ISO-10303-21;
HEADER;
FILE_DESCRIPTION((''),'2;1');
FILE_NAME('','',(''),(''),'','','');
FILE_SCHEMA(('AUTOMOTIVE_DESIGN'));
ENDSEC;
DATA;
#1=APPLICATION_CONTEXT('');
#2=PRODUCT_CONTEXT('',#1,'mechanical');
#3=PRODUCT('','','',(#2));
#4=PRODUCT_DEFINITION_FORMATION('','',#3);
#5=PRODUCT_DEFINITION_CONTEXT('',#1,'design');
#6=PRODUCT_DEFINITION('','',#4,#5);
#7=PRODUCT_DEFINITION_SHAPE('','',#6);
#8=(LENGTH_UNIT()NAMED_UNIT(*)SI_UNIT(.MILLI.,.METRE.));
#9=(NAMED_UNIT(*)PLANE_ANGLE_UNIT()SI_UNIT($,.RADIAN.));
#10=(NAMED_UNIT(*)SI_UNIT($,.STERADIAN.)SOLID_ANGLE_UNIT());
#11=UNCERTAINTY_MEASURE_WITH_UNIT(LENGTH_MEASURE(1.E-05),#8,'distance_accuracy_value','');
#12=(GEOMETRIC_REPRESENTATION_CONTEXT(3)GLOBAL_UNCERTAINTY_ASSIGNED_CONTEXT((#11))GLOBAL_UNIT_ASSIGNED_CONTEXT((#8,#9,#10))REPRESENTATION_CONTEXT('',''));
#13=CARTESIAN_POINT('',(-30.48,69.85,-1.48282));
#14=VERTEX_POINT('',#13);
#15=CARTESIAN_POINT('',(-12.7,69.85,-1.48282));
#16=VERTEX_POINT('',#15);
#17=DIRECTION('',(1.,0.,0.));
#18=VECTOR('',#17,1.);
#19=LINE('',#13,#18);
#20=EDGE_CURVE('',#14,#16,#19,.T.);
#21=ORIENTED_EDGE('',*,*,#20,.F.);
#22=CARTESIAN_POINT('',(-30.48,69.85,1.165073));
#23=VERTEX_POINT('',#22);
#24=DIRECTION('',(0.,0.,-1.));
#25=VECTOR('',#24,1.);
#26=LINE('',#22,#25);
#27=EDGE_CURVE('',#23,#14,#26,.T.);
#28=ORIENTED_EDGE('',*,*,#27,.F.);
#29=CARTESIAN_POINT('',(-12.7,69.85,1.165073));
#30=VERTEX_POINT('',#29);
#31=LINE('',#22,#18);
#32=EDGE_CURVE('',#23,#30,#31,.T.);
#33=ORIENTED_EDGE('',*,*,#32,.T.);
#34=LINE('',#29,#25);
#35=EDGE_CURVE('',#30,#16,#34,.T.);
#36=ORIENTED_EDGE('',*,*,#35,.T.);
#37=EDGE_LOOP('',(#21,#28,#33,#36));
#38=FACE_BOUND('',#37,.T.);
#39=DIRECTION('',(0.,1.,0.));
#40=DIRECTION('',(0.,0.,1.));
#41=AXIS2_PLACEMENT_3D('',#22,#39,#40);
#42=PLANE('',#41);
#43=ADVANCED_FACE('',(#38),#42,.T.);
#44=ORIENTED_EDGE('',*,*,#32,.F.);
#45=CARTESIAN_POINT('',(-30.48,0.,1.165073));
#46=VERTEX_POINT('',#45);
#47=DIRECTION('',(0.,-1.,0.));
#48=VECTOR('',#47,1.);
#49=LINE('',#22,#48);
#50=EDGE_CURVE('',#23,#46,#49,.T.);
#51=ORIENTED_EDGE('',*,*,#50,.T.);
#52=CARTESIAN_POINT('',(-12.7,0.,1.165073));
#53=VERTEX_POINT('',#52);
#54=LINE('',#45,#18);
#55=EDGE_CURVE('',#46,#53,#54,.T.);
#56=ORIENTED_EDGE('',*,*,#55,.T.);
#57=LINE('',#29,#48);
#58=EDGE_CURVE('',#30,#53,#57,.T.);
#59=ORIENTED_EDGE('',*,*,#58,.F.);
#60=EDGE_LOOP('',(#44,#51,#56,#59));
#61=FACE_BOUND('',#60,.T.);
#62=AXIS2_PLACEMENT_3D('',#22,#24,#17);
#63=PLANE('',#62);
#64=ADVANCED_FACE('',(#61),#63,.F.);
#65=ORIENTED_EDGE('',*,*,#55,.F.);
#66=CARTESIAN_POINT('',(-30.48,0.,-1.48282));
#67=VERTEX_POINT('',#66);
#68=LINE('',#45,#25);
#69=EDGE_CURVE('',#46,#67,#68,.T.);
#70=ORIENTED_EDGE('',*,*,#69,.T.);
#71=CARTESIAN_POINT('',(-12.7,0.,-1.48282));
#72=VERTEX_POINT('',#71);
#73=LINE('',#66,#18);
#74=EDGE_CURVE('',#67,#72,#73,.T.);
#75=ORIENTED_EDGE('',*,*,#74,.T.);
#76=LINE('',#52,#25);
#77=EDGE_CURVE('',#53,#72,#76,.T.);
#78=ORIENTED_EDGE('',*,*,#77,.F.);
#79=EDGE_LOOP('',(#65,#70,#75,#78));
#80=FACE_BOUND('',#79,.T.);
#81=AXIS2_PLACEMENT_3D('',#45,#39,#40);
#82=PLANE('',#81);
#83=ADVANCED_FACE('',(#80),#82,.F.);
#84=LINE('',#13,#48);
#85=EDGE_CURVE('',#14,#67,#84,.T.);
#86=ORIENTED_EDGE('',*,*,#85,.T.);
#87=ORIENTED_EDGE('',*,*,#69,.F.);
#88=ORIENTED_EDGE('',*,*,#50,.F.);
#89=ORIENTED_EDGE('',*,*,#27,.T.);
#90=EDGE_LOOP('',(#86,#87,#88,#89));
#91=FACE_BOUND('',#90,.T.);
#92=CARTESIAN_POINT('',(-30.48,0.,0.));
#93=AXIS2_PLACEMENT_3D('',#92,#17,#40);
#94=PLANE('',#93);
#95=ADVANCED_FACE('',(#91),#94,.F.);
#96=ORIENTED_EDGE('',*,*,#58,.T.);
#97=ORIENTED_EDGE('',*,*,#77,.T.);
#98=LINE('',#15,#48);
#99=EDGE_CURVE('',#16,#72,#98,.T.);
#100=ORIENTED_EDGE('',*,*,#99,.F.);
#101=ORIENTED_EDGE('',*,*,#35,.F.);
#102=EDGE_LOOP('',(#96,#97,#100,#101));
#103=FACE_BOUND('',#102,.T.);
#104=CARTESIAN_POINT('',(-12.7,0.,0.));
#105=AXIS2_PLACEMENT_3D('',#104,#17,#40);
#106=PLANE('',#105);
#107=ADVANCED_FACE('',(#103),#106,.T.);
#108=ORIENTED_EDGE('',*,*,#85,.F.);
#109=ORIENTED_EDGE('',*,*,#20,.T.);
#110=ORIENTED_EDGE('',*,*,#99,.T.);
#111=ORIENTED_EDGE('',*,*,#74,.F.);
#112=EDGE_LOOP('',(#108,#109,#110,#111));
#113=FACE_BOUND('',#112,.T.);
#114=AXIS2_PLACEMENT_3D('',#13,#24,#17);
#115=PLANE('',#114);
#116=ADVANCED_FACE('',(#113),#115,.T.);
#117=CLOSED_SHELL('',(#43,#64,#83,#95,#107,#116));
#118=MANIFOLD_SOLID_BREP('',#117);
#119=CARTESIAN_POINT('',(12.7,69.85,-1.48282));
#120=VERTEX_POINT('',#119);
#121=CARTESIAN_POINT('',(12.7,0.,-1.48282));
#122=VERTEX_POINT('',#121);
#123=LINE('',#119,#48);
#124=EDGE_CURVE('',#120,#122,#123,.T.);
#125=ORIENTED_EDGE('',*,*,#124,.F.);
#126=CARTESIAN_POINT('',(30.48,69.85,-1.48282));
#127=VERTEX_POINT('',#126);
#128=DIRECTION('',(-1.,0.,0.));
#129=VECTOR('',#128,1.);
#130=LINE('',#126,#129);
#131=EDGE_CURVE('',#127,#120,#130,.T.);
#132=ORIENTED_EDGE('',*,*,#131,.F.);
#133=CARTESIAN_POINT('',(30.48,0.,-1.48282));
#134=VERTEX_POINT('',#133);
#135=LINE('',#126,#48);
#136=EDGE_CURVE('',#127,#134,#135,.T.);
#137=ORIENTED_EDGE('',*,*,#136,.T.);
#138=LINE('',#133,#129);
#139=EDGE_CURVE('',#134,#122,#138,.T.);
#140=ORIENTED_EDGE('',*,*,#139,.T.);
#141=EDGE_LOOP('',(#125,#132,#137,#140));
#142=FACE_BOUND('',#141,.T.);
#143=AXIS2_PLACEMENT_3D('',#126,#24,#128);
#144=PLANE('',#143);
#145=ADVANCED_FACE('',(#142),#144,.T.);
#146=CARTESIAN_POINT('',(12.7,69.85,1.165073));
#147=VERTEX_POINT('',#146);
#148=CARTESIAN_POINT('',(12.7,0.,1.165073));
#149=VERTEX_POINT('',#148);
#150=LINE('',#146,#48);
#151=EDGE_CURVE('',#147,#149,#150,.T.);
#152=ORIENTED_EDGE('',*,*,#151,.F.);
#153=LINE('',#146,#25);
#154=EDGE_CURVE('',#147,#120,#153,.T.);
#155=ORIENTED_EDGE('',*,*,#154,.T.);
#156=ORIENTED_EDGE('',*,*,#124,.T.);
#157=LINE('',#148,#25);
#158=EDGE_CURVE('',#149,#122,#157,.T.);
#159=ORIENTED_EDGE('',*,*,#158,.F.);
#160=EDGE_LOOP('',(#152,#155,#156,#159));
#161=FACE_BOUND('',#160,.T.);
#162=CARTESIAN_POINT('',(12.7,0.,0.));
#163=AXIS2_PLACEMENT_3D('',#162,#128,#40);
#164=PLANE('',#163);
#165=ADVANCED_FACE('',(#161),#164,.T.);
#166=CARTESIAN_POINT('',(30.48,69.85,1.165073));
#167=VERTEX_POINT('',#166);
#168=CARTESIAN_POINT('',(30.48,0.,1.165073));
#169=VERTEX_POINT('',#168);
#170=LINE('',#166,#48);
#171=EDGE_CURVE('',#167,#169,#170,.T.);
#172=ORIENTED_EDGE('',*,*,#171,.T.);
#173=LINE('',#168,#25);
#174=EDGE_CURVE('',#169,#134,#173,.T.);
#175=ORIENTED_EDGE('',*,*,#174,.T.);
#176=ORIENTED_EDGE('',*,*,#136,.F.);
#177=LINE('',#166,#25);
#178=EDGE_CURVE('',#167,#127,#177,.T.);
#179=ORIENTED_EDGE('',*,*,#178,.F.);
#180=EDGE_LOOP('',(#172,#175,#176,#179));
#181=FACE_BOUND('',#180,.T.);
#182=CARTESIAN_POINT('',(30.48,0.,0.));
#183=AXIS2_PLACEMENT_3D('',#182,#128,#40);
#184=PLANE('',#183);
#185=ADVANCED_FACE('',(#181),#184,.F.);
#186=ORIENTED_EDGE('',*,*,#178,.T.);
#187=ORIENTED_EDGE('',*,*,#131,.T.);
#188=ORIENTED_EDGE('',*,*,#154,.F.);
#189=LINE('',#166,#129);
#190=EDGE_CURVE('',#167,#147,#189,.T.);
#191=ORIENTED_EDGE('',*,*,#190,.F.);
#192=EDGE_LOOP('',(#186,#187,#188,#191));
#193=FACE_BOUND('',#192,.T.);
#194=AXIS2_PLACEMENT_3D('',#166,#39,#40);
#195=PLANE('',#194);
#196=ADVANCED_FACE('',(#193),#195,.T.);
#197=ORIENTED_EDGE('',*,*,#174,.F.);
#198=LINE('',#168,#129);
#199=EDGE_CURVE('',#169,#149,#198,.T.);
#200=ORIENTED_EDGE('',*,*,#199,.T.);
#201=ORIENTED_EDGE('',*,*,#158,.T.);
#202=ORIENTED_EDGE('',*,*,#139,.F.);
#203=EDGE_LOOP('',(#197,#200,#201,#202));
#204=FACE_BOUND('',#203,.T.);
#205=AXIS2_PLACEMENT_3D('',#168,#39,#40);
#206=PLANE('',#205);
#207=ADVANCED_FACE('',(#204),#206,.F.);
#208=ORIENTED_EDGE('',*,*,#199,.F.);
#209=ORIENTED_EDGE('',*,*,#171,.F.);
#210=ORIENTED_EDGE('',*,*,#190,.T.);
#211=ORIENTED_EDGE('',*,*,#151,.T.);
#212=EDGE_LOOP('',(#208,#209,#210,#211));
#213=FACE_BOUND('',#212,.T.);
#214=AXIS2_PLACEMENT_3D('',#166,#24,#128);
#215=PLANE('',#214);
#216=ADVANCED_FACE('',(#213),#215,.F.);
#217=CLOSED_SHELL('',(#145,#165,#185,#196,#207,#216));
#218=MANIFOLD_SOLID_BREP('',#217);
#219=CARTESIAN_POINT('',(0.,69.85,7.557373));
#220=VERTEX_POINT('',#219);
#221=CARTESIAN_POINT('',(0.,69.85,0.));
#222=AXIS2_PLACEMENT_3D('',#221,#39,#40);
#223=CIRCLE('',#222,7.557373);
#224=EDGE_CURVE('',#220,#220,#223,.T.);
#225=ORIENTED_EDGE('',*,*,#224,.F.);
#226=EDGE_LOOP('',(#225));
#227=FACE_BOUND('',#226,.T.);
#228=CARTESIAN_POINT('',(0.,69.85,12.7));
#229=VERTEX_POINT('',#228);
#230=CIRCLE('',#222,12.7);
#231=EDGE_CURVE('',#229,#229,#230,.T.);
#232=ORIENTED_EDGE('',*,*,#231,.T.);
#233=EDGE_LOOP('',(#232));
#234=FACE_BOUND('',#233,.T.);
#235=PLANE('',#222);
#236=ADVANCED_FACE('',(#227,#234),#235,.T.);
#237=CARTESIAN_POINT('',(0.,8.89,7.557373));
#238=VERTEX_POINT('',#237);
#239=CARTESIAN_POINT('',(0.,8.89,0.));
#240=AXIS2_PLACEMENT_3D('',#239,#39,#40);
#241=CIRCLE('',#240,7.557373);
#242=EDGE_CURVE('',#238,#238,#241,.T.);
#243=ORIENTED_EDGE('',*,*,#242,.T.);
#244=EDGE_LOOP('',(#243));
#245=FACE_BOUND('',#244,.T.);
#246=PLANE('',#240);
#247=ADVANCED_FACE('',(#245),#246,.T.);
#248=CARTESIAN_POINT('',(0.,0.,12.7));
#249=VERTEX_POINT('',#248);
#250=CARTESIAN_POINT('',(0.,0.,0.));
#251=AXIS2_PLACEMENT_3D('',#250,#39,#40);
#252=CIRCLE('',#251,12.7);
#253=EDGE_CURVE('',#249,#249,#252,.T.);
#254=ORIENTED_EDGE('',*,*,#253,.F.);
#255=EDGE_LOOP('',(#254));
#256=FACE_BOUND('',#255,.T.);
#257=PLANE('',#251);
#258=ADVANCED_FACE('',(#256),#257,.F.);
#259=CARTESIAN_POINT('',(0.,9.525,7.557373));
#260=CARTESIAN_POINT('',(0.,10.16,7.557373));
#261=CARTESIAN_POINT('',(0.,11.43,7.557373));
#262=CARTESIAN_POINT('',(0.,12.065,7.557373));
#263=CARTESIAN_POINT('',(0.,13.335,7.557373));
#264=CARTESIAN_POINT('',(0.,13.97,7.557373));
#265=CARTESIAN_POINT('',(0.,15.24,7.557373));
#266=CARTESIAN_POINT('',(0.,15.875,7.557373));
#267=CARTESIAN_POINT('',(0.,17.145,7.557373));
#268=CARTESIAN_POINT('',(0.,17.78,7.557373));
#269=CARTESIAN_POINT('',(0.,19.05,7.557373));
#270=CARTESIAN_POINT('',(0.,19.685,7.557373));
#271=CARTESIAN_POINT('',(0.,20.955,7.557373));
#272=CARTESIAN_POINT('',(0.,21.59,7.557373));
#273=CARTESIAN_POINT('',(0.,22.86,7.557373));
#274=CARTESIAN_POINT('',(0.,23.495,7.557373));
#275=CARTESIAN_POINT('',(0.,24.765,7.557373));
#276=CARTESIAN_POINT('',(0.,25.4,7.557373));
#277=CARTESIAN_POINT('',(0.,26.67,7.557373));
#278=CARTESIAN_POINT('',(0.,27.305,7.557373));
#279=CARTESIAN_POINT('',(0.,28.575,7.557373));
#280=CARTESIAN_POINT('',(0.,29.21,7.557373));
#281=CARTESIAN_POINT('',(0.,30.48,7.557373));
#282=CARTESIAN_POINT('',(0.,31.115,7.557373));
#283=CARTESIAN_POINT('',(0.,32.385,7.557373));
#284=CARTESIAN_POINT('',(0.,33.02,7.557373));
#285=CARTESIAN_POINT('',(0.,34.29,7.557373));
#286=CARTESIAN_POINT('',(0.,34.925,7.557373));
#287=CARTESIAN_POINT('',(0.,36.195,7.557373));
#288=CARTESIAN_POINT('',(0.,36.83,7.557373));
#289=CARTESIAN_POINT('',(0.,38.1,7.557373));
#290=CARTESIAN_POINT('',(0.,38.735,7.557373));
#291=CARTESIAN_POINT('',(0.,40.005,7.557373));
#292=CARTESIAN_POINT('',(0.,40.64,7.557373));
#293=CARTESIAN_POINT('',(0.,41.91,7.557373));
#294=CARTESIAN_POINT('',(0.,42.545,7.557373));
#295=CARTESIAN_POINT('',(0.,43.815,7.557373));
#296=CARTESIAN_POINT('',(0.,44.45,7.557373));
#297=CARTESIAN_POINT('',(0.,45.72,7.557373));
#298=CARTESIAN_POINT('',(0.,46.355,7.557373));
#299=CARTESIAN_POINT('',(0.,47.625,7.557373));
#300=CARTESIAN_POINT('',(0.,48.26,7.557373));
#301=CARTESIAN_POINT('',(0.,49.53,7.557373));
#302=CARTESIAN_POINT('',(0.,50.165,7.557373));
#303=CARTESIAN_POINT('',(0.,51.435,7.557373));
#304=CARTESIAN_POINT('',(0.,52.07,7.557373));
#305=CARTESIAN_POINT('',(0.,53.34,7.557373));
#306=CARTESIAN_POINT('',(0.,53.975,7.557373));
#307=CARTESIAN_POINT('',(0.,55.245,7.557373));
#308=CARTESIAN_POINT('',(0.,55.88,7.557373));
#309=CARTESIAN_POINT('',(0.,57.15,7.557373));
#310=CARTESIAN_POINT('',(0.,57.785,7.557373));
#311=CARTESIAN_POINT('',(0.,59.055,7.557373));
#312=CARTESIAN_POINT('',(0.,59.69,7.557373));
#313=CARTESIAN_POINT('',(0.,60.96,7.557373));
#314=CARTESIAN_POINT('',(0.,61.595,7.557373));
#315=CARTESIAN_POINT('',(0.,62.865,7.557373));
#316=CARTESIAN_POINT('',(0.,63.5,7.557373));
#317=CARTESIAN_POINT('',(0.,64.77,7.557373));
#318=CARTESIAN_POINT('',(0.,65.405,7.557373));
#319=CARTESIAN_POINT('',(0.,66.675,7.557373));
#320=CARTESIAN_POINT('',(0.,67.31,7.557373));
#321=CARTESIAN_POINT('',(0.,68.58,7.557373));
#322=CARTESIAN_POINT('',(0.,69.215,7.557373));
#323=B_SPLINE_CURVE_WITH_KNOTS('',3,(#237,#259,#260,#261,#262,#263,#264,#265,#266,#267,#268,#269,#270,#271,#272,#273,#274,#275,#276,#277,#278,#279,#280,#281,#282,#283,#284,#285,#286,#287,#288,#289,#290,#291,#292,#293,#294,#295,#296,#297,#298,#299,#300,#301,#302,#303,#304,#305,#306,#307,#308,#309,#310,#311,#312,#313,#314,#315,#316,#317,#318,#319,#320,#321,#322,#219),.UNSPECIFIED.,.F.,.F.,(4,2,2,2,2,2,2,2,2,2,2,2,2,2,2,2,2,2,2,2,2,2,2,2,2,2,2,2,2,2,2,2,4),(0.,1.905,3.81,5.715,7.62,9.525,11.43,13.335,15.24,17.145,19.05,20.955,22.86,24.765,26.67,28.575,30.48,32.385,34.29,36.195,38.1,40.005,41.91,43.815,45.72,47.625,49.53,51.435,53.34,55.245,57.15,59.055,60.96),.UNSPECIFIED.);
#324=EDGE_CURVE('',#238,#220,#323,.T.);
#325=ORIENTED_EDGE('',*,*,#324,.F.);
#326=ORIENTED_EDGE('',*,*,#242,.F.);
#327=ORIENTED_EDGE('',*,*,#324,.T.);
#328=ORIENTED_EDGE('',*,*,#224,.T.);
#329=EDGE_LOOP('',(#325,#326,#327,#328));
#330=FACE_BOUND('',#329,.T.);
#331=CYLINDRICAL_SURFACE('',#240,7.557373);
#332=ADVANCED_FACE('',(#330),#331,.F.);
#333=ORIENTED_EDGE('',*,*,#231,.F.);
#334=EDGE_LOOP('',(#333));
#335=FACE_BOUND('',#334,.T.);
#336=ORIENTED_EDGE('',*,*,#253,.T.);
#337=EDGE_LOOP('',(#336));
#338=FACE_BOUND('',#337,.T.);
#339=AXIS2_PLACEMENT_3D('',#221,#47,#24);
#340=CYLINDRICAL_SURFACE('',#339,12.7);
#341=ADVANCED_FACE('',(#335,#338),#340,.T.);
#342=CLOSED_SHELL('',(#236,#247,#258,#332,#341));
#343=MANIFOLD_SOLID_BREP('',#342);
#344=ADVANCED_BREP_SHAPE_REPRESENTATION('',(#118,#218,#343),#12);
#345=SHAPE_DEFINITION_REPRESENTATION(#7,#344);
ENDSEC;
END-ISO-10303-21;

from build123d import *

# Parameters (mm, degrees)
SKETCH2_R           = 12.7
BOSS_EXTRUDE1_DEPTH = 69.85
SKETCH5_R           = 7.557373004
CUT_EXTRUDE1_DEPTH  = 60.96
SKETCH7_W           = 2.647893452
SKETCH7_H           = 69.85
BOSS_EXTRUDE2_DEPTH = 17.78


with BuildPart() as part:
    # Sketch2 → Boss-Extrude1 (new body)
    with BuildSketch(Plane(origin=(0, 0, 0), x_dir=(1, 0, 0), z_dir=(0, 1, 0))):
        with Locations(Location((0, 0, 0), (0, 0, 270))):
            Circle(SKETCH2_R)
    extrude(amount=BOSS_EXTRUDE1_DEPTH)

    # Sketch5 → Cut-Extrude1 (cut)
    with BuildSketch(Plane(origin=(0, 69.85, 0), x_dir=(1, 0, 0), z_dir=(0, 1, 0))):
        with Locations(Location((0, 0, 0), (0, 0, 270))):
            Circle(SKETCH5_R)
    extrude(amount=-CUT_EXTRUDE1_DEPTH, mode=Mode.SUBTRACT)


with BuildPart() as body_2:
    # Sketch7 → Boss-Extrude2 (new body)
    with BuildSketch(Plane(origin=(12.7, 0, 0), x_dir=(0, 0, -1), z_dir=(1, 0, 0))):
        with Locations((0.158873607, 34.925)):
            Rectangle(SKETCH7_W, SKETCH7_H)
    extrude(amount=BOSS_EXTRUDE2_DEPTH)


with BuildPart() as body_3:
    # Mirror3: mirrored copy
    add(body_2.part.mirror(Plane(origin=(0, 0, 0), x_dir=(0, 0, 1), z_dir=(1, 0, 0))))


solid = Compound([part.part, body_2.part, body_3.part])
